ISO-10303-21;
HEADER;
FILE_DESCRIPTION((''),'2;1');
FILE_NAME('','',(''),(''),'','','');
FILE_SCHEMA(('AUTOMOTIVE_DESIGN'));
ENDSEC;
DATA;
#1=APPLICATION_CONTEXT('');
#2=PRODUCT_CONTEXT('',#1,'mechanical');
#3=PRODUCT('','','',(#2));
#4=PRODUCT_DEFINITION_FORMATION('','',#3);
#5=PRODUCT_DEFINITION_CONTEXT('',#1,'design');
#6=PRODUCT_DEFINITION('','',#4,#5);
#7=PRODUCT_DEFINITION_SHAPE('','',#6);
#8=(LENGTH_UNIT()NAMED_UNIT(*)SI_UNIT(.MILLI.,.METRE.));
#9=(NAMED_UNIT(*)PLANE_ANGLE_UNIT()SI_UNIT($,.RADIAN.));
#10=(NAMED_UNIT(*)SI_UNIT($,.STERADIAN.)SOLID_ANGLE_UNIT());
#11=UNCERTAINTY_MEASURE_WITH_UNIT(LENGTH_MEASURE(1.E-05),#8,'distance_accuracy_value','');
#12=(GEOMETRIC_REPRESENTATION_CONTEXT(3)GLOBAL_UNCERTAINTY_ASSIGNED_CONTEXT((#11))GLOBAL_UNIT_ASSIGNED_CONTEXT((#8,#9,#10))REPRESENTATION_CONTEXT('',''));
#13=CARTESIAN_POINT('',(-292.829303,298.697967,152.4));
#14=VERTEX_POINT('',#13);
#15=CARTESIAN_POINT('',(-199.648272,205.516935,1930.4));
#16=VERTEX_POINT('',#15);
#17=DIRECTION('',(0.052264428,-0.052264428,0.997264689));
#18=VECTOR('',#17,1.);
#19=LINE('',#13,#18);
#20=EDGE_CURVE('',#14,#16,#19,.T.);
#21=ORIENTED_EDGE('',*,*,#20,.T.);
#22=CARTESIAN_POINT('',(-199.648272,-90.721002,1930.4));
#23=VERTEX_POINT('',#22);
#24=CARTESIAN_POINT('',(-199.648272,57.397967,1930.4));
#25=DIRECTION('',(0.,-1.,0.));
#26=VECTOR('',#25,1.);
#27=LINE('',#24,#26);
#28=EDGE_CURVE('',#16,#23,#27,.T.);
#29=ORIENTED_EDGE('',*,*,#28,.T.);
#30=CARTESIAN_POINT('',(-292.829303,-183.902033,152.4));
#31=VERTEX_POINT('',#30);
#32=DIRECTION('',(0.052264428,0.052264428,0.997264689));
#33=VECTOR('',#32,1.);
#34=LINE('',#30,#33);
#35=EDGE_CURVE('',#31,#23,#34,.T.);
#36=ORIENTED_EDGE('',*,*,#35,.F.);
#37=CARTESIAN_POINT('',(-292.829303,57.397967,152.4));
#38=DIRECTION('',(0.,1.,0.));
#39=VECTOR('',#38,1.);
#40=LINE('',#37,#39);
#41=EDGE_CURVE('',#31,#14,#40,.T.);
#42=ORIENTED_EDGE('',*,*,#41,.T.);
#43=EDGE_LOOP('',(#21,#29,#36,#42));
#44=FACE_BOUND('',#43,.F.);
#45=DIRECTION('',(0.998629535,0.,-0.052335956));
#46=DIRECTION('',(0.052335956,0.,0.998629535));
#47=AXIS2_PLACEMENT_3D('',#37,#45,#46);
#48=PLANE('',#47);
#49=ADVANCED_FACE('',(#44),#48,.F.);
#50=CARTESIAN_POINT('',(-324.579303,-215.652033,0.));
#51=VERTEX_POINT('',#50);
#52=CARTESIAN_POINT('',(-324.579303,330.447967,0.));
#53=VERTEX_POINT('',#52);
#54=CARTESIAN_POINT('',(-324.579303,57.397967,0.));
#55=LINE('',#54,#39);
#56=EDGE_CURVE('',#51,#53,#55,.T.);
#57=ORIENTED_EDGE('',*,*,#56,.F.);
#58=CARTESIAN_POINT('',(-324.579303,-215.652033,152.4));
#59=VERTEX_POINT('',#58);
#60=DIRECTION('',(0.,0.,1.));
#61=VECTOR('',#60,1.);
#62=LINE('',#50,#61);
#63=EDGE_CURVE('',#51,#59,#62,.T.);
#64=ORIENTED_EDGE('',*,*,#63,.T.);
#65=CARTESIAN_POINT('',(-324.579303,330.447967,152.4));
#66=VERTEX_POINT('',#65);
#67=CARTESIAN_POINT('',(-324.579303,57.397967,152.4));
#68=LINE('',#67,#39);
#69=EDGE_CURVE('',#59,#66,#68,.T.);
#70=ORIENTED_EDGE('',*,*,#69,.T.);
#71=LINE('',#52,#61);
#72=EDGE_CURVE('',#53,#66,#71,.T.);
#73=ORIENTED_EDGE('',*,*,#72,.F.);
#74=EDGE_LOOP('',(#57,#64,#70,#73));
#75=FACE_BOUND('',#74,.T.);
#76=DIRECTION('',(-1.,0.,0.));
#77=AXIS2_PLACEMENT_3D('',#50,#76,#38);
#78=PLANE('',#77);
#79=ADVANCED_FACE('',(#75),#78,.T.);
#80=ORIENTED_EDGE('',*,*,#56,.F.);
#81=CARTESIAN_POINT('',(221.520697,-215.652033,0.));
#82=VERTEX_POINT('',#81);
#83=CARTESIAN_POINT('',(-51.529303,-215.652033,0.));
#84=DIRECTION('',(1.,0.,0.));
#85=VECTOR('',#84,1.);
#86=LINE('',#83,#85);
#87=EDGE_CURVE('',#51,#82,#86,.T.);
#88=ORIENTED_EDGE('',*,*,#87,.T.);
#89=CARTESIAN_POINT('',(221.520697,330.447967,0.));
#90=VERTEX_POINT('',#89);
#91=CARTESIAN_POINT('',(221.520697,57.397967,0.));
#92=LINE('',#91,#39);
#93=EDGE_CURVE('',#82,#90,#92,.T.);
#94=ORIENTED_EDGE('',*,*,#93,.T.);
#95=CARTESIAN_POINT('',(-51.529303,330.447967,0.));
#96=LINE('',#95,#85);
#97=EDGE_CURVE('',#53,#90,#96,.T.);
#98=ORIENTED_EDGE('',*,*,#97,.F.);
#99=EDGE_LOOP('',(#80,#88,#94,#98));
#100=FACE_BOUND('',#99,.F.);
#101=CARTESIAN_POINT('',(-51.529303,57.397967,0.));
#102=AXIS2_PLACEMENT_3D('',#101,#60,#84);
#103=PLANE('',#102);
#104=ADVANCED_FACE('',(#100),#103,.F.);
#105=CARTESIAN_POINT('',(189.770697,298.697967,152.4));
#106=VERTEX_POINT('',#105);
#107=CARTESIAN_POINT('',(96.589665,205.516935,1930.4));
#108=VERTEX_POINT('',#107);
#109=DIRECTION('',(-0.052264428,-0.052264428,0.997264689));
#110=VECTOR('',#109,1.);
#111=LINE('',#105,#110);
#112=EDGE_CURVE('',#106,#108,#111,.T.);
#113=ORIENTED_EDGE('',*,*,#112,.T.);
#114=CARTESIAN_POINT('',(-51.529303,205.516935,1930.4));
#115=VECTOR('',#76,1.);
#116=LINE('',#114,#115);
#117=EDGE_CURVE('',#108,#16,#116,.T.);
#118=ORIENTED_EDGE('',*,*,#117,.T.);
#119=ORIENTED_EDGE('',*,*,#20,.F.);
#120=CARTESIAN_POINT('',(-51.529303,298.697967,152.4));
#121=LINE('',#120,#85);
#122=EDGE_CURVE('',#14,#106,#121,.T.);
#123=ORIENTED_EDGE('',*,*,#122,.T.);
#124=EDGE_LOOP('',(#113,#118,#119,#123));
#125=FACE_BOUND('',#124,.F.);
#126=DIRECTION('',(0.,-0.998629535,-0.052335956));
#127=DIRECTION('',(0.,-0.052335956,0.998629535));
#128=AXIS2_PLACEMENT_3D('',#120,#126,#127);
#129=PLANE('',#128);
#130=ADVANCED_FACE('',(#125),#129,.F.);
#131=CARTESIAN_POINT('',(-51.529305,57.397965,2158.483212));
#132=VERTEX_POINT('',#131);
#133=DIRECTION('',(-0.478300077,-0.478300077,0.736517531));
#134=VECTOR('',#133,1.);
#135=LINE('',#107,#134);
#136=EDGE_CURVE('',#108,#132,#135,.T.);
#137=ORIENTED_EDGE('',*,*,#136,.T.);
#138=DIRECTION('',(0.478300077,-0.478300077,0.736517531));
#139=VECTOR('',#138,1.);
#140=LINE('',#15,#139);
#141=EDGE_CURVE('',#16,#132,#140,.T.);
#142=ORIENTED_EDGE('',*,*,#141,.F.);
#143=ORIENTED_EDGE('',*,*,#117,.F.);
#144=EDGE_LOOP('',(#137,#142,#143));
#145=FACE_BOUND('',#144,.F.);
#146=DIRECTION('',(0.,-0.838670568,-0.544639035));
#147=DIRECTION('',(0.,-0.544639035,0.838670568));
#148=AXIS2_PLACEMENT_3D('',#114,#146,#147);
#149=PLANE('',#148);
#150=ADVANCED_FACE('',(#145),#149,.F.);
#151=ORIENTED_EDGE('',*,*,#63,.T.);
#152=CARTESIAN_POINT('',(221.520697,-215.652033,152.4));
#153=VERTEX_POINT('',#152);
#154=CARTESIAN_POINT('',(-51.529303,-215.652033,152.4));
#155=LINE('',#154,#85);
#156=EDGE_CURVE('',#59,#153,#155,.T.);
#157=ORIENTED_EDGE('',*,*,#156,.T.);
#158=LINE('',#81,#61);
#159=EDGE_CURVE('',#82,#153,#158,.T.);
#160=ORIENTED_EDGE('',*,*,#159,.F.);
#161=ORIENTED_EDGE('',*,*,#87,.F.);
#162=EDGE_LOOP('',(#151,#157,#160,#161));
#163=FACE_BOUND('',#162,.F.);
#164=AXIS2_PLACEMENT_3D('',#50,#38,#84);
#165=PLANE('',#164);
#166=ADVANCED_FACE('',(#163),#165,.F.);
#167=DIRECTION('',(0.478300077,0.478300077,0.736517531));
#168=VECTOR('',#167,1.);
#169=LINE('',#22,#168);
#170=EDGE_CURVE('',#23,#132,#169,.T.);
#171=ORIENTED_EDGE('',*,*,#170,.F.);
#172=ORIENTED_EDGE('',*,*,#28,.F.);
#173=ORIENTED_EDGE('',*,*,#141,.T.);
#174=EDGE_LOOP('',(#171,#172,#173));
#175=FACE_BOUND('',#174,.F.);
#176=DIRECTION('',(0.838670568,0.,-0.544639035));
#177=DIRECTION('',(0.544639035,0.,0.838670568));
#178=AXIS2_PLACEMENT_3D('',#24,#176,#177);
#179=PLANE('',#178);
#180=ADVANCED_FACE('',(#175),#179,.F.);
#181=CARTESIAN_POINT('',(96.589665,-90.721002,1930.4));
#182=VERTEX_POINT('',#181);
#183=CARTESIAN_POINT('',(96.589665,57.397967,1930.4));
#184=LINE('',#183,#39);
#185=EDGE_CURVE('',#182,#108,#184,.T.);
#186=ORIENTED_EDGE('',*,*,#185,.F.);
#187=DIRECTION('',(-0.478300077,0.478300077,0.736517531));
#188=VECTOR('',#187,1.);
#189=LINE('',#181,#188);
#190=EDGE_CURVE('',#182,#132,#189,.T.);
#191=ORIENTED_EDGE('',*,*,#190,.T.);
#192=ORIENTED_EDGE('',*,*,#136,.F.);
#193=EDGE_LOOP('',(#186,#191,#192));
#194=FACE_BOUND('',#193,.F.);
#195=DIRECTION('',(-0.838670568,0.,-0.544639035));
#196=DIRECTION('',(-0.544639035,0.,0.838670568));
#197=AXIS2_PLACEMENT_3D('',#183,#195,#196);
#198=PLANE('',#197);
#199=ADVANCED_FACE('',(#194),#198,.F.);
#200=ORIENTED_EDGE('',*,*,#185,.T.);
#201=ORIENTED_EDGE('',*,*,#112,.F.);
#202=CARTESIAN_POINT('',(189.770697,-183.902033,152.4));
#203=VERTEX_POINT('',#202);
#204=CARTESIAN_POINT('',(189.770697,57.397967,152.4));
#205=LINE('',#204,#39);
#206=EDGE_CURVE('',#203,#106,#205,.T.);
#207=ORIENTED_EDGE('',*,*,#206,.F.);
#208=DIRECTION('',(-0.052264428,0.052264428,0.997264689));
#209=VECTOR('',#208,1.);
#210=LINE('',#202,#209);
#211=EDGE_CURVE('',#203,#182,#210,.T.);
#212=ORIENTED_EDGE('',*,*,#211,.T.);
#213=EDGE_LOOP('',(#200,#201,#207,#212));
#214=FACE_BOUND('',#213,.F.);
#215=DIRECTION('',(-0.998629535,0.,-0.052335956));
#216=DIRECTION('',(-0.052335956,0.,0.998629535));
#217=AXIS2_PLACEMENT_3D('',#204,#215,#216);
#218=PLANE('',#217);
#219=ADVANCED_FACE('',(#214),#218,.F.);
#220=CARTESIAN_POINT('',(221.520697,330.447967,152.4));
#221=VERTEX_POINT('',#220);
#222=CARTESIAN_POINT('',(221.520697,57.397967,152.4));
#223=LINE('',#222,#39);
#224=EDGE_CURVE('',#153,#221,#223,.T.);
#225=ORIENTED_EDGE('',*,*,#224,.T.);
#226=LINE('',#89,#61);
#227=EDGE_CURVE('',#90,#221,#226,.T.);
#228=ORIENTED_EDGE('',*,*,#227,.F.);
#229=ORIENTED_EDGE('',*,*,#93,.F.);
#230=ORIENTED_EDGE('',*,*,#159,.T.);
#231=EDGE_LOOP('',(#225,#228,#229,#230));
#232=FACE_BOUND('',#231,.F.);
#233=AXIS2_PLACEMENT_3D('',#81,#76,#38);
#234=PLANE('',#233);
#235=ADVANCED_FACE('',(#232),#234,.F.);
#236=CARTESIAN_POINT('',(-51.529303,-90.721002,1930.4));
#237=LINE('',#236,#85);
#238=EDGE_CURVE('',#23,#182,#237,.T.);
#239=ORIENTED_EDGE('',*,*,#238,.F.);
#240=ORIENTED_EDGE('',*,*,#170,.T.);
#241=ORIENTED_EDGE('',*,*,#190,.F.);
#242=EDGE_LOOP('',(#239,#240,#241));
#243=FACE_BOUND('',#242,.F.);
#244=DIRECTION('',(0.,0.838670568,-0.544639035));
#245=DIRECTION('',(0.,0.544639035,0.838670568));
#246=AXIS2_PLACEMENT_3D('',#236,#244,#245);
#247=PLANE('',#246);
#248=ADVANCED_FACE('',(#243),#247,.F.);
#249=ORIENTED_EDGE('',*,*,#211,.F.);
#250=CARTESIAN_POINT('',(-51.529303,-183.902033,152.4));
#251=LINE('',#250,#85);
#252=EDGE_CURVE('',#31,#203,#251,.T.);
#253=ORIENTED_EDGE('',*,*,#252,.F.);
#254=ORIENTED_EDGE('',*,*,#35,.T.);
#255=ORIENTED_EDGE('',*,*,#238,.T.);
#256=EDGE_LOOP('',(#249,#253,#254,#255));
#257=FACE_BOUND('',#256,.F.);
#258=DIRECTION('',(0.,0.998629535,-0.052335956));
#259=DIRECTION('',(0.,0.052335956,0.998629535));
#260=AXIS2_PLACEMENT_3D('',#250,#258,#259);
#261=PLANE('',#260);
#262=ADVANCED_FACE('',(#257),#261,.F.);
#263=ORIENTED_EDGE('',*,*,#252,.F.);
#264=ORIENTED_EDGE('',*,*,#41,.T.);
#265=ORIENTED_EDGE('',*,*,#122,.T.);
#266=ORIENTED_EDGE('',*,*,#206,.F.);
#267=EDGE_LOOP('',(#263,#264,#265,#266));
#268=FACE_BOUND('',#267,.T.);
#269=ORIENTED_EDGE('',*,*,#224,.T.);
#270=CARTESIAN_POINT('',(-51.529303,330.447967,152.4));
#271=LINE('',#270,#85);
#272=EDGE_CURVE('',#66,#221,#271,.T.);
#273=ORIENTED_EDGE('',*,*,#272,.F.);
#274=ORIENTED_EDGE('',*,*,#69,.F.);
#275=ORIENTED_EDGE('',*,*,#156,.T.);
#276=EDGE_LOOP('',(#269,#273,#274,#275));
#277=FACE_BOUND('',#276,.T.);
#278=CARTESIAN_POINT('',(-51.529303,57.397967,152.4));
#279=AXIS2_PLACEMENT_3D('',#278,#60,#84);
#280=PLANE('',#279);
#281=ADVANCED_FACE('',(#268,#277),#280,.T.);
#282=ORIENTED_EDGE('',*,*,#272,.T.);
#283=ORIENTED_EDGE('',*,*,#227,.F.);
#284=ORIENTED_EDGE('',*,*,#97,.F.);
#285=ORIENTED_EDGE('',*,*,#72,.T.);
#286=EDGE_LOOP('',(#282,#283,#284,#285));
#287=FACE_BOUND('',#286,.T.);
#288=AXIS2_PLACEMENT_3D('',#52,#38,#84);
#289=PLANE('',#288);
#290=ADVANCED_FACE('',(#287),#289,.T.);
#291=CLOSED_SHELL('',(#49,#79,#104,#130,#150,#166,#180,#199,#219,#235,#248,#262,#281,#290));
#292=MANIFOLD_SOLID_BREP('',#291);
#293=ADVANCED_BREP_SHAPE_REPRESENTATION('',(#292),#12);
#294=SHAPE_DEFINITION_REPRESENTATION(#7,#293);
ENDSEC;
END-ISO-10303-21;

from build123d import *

# Parameters (mm, degrees)
F0_W     = 546.1
F0_H     = 546.1
F1_DEPTH = 152.4
F2_W     = 482.6
F2_H     = 482.6
F3_DEPTH = 1778
F3_TAPER = 3
F4_W     = 296.2379368695
F4_H     = 296.2379368695
F5_DEPTH = 241.3
F5_TAPER = 33


with BuildPart() as f1:
    # F0 (on Top) → F1 (new body)
    with BuildSketch(Plane.XY):
        with Locations((-51.5293031931, 57.3979665157)):
            Rectangle(F0_W, F0_H)
    extrude(amount=F1_DEPTH)

    # F2 (on face) → F3 (join)
    with BuildSketch(Plane.XY.offset(152.4)):
        with Locations((-51.5293031931, 57.3979665157)):
            Rectangle(F2_W, F2_H)
    extrude(amount=F3_DEPTH, taper=F3_TAPER)

    # F4 (on face) → F5 (join)
    with BuildSketch(Plane.XY.offset(1930.4)):
        with Locations((-51.5293031931, 57.3979665157)):
            Rectangle(F4_W, F4_H)
    extrude(amount=F5_DEPTH, taper=F5_TAPER)


solid = f1.part
